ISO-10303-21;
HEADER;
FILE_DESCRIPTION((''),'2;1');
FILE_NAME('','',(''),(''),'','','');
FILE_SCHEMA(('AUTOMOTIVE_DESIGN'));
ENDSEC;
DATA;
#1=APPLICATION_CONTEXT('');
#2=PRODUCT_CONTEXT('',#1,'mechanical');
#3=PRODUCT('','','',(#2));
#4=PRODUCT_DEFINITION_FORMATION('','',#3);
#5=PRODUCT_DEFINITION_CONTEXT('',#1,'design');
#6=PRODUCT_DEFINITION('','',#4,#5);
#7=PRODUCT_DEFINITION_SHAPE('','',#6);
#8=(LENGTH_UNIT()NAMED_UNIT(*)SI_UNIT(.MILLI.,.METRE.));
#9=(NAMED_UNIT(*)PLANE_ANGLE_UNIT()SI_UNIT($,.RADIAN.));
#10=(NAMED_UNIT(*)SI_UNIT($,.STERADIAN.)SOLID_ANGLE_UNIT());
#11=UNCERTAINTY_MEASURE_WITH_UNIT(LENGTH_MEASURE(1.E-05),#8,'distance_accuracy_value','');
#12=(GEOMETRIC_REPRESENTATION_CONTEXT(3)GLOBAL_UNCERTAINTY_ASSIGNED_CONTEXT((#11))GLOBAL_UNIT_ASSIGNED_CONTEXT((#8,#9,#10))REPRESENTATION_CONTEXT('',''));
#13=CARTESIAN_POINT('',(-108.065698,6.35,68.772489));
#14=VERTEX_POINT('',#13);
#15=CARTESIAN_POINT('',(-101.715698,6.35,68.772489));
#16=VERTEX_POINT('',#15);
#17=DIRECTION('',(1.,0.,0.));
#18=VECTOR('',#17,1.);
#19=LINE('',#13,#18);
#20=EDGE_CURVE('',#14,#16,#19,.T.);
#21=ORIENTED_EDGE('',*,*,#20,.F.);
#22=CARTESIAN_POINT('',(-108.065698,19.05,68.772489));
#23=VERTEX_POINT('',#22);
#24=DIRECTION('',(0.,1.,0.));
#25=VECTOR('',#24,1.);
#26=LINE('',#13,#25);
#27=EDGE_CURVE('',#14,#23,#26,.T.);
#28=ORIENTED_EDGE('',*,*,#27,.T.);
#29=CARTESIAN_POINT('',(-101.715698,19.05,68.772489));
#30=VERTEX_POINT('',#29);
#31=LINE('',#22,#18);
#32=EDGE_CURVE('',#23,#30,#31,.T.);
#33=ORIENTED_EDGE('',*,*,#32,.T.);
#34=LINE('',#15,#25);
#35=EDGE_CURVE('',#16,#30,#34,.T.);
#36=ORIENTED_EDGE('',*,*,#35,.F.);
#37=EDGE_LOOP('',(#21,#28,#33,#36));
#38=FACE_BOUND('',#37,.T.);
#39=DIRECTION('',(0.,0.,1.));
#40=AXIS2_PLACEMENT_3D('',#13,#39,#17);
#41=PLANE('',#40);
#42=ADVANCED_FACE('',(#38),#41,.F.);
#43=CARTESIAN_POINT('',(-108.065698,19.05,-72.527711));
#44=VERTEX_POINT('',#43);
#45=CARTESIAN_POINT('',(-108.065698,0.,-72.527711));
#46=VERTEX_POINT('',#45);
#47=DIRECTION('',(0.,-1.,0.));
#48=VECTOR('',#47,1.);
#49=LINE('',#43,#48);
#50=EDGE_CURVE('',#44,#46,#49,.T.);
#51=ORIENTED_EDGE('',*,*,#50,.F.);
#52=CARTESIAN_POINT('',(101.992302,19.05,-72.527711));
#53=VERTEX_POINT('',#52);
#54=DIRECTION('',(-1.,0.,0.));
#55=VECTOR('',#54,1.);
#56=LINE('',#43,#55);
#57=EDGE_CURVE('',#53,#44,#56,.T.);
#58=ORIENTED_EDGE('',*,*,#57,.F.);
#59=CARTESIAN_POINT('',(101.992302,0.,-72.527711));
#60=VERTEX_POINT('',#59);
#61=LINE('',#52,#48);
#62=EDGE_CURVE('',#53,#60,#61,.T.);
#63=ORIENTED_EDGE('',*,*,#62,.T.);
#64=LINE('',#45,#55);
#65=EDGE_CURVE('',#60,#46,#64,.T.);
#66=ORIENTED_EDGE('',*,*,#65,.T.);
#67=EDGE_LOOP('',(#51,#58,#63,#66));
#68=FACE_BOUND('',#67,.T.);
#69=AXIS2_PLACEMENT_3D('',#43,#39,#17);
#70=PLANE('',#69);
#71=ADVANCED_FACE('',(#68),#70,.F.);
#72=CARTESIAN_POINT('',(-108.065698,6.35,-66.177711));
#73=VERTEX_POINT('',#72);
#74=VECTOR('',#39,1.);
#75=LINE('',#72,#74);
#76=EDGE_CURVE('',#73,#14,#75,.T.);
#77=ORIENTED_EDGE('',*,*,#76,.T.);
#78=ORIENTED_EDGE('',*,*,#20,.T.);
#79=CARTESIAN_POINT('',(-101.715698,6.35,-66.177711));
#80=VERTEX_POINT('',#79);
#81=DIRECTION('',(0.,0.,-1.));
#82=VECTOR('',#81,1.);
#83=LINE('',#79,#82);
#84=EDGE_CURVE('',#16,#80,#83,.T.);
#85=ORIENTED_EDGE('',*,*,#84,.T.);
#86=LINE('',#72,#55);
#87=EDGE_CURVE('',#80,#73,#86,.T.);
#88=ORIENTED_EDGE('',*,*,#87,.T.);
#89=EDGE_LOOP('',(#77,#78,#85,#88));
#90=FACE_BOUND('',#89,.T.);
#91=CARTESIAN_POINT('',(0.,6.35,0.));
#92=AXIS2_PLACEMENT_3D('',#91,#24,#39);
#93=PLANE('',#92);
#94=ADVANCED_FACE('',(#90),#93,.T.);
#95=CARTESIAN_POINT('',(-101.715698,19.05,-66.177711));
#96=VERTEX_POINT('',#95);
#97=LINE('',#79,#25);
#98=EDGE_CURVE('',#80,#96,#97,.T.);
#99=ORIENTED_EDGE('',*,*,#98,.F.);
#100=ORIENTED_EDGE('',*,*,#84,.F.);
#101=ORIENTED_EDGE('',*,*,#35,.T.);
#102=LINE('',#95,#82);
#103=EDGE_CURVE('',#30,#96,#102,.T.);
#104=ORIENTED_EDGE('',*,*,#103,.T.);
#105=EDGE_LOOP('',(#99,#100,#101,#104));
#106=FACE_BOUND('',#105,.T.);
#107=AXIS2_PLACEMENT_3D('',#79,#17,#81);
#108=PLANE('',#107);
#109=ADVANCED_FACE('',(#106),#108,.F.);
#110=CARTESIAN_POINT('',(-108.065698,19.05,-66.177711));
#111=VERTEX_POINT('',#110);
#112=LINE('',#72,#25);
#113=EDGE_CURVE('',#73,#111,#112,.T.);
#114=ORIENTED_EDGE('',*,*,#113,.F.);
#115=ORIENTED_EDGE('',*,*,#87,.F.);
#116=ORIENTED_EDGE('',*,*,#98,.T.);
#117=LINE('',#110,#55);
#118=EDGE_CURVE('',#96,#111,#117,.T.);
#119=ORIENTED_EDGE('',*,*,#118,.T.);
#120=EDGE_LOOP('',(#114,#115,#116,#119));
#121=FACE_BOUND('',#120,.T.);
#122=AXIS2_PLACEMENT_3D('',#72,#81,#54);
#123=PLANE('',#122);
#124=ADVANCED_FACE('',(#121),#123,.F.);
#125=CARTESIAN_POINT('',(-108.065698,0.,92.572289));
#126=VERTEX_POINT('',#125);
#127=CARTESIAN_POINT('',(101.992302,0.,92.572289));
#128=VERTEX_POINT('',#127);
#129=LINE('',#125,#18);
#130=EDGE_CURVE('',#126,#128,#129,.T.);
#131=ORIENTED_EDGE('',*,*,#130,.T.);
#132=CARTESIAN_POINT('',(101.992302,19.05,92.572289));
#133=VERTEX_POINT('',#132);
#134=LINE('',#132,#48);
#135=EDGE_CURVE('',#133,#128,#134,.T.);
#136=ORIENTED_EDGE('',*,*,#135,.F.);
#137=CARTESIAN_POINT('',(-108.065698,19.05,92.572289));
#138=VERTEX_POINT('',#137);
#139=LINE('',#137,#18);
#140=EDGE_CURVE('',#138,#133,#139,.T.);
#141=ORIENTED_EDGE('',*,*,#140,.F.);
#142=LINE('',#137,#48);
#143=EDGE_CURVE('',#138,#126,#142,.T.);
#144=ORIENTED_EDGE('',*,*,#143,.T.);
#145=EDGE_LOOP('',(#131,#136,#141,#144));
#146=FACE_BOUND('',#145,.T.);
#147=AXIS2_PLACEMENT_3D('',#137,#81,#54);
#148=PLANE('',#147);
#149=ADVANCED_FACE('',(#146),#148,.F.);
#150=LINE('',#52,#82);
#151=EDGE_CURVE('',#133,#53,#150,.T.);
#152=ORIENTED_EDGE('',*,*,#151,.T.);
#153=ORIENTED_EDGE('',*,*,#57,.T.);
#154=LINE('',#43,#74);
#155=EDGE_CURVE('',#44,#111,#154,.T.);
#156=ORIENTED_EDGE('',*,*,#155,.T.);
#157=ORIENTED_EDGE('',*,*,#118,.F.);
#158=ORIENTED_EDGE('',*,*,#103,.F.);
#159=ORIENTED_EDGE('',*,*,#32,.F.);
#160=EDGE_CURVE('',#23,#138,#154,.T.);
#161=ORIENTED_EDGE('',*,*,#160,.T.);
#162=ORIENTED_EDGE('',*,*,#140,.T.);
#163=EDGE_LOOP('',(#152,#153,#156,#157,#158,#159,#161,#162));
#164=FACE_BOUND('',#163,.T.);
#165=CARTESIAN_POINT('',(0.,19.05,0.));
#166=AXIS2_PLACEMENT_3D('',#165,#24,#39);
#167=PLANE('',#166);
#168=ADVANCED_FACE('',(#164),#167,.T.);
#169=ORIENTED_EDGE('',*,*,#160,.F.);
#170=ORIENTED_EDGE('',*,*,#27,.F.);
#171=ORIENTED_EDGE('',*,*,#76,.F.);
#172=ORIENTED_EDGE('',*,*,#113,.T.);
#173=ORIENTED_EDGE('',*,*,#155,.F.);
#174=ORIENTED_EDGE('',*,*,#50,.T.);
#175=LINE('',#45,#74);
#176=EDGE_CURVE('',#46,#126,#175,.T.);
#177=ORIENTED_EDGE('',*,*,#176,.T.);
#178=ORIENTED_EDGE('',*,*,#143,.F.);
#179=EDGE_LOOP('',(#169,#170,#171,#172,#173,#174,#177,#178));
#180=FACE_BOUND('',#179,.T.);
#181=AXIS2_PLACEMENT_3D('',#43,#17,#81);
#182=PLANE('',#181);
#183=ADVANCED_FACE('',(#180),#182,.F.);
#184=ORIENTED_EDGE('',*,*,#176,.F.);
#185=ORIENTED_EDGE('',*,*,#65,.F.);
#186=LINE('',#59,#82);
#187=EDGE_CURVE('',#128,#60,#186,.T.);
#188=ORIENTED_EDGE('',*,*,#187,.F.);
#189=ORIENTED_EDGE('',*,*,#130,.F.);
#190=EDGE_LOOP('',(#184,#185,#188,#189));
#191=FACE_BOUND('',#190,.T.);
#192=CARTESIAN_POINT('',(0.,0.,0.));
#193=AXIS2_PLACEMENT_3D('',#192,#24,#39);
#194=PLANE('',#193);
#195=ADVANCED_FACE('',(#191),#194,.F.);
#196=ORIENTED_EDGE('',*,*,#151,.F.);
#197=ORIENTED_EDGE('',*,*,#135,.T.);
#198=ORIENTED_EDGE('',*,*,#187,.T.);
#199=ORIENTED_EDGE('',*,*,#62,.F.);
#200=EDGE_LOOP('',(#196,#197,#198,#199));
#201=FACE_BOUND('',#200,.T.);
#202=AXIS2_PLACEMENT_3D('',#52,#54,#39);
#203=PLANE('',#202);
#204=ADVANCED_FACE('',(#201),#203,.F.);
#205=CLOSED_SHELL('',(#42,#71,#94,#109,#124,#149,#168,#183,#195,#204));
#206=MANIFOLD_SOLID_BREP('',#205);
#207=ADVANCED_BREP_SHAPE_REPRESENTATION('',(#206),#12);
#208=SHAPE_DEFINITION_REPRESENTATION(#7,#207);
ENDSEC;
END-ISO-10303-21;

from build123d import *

# Parameters (mm, degrees)
SKETCH1_W           = 210.058
SKETCH1_H           = 165.1
BOSS_EXTRUDE1_DEPTH = 19.05
SKETCH2_W           = 6.35
SKETCH2_H           = 134.9502
CUT_EXTRUDE1_DEPTH  = 12.7


with BuildPart() as part:
    # Sketch1 → Boss-Extrude1 (new body)
    with BuildSketch(Plane(origin=(0, 0, 0), x_dir=(1, 0, 0), z_dir=(0, 1, 0))):
        with Locations((-3.036698363, -10.022289157)):
            Rectangle(SKETCH1_W, SKETCH1_H)
    extrude(amount=BOSS_EXTRUDE1_DEPTH)

    # Sketch2 → Cut-Extrude1 (cut)
    with BuildSketch(Plane(origin=(0, 19.05, 0), x_dir=(1, 0, 0), z_dir=(0, 1, 0))):
        with Locations((-104.890698363, -1.297389157)):
            Rectangle(SKETCH2_W, SKETCH2_H)
    extrude(amount=-CUT_EXTRUDE1_DEPTH, mode=Mode.SUBTRACT)


solid = part.part
